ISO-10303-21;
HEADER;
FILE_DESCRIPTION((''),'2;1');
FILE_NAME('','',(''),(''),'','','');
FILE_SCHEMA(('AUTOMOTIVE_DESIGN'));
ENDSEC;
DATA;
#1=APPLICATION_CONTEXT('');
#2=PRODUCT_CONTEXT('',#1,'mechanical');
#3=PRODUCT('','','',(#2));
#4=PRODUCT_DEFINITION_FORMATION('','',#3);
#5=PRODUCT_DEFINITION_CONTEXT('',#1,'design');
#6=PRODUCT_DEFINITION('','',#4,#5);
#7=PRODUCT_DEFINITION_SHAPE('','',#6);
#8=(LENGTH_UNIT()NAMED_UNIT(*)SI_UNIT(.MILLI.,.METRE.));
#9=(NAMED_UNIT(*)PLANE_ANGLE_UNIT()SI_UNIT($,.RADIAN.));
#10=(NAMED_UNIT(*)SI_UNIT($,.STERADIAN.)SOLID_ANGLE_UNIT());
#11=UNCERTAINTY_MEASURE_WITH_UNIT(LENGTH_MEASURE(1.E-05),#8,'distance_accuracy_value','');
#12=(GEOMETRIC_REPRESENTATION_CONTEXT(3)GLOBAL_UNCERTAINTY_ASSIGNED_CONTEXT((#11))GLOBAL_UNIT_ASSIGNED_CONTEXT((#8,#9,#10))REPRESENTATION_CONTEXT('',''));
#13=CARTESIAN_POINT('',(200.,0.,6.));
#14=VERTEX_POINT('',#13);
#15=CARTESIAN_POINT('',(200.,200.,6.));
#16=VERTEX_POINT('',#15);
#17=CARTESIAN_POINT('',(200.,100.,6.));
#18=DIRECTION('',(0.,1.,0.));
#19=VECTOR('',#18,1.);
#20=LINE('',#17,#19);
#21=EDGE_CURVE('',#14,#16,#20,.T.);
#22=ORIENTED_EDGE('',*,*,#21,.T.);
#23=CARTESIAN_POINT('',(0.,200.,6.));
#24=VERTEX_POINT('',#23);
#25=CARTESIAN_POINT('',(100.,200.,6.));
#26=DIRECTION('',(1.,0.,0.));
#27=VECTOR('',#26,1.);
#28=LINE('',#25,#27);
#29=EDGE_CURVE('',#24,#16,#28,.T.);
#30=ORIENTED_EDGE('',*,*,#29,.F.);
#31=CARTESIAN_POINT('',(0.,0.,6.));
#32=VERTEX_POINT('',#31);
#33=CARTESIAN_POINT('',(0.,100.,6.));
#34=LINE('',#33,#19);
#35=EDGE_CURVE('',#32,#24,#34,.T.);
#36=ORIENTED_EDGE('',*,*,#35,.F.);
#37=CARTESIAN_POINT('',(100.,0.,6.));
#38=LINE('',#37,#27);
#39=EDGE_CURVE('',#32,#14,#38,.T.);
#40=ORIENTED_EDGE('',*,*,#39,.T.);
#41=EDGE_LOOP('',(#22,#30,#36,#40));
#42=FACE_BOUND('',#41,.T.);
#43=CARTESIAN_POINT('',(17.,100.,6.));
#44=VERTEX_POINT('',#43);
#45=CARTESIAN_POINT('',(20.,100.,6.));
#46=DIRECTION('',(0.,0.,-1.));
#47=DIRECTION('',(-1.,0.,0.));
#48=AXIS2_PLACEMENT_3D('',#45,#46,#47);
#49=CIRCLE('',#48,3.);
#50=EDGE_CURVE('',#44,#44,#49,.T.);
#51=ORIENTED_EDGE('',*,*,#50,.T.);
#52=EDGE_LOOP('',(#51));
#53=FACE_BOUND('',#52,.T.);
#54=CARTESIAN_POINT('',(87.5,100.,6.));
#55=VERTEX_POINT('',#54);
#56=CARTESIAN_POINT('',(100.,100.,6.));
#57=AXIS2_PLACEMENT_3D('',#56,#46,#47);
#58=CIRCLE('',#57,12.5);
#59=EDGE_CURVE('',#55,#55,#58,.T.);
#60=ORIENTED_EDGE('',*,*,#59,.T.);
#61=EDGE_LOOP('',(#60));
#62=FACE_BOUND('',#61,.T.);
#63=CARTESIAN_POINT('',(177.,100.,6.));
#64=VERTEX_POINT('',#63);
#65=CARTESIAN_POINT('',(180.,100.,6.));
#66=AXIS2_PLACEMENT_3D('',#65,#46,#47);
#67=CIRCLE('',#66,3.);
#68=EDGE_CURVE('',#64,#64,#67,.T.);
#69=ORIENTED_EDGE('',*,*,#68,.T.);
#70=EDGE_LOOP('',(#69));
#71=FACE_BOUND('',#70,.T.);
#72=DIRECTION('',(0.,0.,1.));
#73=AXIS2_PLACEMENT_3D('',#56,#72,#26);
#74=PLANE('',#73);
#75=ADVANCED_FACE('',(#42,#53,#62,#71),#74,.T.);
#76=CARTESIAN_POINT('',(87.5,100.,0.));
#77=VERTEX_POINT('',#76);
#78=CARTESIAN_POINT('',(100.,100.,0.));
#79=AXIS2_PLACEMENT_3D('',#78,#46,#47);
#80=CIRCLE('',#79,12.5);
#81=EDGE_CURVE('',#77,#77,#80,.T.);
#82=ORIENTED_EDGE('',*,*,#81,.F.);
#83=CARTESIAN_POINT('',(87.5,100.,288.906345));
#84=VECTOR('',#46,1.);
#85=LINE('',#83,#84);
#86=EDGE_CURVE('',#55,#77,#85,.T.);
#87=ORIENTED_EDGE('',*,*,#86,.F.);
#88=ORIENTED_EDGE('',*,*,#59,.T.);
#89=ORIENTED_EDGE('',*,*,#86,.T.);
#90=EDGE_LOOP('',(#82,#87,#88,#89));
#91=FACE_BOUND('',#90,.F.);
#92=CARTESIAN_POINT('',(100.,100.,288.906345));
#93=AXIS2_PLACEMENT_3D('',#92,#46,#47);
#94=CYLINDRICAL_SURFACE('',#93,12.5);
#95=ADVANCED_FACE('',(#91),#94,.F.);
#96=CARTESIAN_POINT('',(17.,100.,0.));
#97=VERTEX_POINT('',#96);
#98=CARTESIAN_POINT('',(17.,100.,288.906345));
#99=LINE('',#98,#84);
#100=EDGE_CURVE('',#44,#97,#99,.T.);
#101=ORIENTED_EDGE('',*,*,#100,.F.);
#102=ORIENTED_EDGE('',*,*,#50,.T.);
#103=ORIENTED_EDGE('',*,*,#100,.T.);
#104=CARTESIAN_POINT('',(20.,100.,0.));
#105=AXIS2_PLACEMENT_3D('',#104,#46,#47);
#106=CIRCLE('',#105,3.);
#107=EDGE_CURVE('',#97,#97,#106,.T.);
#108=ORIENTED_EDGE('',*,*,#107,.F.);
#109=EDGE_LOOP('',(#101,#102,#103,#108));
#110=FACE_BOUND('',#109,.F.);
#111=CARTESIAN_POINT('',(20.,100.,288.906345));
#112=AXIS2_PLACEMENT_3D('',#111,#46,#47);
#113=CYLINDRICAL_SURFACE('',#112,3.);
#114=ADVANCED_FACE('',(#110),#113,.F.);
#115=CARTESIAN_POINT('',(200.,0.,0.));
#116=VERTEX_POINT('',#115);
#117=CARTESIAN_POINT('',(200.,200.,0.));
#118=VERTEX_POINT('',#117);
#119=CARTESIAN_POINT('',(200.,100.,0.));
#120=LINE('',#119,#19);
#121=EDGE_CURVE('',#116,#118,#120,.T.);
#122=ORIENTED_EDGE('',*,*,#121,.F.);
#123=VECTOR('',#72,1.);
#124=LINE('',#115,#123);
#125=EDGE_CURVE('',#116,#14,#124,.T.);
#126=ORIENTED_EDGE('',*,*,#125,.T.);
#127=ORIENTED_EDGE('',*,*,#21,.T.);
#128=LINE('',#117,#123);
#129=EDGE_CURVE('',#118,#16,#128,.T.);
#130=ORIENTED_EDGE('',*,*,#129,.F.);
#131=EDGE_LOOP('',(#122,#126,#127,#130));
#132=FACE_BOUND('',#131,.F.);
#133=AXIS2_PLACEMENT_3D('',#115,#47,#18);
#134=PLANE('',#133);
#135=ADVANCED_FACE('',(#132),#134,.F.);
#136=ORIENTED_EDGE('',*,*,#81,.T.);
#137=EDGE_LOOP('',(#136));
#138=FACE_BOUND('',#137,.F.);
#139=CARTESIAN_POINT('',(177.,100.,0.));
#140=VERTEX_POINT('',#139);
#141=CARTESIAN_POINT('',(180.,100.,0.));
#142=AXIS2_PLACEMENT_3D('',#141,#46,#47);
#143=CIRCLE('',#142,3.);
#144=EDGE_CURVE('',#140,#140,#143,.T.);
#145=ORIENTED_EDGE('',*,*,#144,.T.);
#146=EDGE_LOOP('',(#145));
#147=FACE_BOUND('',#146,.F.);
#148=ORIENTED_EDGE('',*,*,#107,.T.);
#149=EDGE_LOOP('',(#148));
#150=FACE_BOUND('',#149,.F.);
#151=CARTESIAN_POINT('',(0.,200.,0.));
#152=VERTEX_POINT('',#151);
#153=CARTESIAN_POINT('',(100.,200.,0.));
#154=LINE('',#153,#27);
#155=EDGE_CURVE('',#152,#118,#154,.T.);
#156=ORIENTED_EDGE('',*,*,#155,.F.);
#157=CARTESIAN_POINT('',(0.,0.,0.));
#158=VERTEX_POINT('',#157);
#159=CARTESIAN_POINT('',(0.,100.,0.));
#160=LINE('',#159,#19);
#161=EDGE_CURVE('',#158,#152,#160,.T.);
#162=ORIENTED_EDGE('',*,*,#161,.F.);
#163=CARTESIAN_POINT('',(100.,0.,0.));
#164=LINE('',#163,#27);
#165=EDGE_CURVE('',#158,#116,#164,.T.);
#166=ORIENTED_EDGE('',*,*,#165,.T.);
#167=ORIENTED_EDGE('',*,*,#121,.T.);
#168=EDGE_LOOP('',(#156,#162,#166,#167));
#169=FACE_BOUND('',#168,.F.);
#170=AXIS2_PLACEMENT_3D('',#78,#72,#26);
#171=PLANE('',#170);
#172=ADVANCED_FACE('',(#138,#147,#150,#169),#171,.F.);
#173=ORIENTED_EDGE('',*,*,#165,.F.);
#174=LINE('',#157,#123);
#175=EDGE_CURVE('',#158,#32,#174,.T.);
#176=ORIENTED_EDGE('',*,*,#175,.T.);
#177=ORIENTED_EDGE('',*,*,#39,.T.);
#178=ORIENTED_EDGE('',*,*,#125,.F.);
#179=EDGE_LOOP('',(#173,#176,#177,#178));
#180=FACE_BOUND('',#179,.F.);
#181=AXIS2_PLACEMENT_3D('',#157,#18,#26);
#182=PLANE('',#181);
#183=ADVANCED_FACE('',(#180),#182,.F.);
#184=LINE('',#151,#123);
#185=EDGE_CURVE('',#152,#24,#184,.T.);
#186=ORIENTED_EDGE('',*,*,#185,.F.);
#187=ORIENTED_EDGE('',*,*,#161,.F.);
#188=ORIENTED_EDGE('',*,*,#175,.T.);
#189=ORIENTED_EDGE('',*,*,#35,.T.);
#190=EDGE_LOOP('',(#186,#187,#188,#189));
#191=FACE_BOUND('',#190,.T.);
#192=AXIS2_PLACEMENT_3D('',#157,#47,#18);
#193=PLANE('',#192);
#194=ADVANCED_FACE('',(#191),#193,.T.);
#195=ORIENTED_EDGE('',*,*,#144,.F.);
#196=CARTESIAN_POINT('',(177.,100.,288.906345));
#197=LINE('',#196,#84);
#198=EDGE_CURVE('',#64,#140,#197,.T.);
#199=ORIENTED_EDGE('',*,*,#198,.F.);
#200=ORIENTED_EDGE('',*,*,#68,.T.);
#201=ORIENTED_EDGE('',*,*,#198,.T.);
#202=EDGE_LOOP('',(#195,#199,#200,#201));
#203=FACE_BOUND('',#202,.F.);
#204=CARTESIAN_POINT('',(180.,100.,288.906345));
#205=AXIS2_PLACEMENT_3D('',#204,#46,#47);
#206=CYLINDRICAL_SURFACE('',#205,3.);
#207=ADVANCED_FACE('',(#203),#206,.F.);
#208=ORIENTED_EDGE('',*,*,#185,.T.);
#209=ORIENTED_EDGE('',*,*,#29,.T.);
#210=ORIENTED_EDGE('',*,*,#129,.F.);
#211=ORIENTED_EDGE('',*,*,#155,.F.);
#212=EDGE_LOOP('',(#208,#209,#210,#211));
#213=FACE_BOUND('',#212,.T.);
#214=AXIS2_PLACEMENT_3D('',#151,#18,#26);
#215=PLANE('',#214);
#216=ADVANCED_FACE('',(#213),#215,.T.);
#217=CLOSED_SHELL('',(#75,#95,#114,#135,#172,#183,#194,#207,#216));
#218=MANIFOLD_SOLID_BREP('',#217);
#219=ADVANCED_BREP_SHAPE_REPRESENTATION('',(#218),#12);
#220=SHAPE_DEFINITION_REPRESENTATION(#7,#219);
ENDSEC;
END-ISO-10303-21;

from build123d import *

# Parameters (mm, degrees)
F0_W     = 200
F0_H     = 200
F1_DEPTH = 6
F3_D     = 6
F5_D     = 25


with BuildPart() as f1:
    # F0 (on Top) → F1 (new body)
    with BuildSketch(Plane.XY):
        with Locations((100, 100)):
            Rectangle(F0_W, F0_H)
    extrude(amount=F1_DEPTH)

    # F3 (through all)
    with Locations(Plane.XY.offset(6)):
        with Locations((20, 100), (180, 100)):
            Hole(F3_D / 2)

    # F5 (through all)
    with Locations(Plane.XY.offset(6)):
        with Locations((100, 100)):
            Hole(F5_D / 2)


solid = f1.part
